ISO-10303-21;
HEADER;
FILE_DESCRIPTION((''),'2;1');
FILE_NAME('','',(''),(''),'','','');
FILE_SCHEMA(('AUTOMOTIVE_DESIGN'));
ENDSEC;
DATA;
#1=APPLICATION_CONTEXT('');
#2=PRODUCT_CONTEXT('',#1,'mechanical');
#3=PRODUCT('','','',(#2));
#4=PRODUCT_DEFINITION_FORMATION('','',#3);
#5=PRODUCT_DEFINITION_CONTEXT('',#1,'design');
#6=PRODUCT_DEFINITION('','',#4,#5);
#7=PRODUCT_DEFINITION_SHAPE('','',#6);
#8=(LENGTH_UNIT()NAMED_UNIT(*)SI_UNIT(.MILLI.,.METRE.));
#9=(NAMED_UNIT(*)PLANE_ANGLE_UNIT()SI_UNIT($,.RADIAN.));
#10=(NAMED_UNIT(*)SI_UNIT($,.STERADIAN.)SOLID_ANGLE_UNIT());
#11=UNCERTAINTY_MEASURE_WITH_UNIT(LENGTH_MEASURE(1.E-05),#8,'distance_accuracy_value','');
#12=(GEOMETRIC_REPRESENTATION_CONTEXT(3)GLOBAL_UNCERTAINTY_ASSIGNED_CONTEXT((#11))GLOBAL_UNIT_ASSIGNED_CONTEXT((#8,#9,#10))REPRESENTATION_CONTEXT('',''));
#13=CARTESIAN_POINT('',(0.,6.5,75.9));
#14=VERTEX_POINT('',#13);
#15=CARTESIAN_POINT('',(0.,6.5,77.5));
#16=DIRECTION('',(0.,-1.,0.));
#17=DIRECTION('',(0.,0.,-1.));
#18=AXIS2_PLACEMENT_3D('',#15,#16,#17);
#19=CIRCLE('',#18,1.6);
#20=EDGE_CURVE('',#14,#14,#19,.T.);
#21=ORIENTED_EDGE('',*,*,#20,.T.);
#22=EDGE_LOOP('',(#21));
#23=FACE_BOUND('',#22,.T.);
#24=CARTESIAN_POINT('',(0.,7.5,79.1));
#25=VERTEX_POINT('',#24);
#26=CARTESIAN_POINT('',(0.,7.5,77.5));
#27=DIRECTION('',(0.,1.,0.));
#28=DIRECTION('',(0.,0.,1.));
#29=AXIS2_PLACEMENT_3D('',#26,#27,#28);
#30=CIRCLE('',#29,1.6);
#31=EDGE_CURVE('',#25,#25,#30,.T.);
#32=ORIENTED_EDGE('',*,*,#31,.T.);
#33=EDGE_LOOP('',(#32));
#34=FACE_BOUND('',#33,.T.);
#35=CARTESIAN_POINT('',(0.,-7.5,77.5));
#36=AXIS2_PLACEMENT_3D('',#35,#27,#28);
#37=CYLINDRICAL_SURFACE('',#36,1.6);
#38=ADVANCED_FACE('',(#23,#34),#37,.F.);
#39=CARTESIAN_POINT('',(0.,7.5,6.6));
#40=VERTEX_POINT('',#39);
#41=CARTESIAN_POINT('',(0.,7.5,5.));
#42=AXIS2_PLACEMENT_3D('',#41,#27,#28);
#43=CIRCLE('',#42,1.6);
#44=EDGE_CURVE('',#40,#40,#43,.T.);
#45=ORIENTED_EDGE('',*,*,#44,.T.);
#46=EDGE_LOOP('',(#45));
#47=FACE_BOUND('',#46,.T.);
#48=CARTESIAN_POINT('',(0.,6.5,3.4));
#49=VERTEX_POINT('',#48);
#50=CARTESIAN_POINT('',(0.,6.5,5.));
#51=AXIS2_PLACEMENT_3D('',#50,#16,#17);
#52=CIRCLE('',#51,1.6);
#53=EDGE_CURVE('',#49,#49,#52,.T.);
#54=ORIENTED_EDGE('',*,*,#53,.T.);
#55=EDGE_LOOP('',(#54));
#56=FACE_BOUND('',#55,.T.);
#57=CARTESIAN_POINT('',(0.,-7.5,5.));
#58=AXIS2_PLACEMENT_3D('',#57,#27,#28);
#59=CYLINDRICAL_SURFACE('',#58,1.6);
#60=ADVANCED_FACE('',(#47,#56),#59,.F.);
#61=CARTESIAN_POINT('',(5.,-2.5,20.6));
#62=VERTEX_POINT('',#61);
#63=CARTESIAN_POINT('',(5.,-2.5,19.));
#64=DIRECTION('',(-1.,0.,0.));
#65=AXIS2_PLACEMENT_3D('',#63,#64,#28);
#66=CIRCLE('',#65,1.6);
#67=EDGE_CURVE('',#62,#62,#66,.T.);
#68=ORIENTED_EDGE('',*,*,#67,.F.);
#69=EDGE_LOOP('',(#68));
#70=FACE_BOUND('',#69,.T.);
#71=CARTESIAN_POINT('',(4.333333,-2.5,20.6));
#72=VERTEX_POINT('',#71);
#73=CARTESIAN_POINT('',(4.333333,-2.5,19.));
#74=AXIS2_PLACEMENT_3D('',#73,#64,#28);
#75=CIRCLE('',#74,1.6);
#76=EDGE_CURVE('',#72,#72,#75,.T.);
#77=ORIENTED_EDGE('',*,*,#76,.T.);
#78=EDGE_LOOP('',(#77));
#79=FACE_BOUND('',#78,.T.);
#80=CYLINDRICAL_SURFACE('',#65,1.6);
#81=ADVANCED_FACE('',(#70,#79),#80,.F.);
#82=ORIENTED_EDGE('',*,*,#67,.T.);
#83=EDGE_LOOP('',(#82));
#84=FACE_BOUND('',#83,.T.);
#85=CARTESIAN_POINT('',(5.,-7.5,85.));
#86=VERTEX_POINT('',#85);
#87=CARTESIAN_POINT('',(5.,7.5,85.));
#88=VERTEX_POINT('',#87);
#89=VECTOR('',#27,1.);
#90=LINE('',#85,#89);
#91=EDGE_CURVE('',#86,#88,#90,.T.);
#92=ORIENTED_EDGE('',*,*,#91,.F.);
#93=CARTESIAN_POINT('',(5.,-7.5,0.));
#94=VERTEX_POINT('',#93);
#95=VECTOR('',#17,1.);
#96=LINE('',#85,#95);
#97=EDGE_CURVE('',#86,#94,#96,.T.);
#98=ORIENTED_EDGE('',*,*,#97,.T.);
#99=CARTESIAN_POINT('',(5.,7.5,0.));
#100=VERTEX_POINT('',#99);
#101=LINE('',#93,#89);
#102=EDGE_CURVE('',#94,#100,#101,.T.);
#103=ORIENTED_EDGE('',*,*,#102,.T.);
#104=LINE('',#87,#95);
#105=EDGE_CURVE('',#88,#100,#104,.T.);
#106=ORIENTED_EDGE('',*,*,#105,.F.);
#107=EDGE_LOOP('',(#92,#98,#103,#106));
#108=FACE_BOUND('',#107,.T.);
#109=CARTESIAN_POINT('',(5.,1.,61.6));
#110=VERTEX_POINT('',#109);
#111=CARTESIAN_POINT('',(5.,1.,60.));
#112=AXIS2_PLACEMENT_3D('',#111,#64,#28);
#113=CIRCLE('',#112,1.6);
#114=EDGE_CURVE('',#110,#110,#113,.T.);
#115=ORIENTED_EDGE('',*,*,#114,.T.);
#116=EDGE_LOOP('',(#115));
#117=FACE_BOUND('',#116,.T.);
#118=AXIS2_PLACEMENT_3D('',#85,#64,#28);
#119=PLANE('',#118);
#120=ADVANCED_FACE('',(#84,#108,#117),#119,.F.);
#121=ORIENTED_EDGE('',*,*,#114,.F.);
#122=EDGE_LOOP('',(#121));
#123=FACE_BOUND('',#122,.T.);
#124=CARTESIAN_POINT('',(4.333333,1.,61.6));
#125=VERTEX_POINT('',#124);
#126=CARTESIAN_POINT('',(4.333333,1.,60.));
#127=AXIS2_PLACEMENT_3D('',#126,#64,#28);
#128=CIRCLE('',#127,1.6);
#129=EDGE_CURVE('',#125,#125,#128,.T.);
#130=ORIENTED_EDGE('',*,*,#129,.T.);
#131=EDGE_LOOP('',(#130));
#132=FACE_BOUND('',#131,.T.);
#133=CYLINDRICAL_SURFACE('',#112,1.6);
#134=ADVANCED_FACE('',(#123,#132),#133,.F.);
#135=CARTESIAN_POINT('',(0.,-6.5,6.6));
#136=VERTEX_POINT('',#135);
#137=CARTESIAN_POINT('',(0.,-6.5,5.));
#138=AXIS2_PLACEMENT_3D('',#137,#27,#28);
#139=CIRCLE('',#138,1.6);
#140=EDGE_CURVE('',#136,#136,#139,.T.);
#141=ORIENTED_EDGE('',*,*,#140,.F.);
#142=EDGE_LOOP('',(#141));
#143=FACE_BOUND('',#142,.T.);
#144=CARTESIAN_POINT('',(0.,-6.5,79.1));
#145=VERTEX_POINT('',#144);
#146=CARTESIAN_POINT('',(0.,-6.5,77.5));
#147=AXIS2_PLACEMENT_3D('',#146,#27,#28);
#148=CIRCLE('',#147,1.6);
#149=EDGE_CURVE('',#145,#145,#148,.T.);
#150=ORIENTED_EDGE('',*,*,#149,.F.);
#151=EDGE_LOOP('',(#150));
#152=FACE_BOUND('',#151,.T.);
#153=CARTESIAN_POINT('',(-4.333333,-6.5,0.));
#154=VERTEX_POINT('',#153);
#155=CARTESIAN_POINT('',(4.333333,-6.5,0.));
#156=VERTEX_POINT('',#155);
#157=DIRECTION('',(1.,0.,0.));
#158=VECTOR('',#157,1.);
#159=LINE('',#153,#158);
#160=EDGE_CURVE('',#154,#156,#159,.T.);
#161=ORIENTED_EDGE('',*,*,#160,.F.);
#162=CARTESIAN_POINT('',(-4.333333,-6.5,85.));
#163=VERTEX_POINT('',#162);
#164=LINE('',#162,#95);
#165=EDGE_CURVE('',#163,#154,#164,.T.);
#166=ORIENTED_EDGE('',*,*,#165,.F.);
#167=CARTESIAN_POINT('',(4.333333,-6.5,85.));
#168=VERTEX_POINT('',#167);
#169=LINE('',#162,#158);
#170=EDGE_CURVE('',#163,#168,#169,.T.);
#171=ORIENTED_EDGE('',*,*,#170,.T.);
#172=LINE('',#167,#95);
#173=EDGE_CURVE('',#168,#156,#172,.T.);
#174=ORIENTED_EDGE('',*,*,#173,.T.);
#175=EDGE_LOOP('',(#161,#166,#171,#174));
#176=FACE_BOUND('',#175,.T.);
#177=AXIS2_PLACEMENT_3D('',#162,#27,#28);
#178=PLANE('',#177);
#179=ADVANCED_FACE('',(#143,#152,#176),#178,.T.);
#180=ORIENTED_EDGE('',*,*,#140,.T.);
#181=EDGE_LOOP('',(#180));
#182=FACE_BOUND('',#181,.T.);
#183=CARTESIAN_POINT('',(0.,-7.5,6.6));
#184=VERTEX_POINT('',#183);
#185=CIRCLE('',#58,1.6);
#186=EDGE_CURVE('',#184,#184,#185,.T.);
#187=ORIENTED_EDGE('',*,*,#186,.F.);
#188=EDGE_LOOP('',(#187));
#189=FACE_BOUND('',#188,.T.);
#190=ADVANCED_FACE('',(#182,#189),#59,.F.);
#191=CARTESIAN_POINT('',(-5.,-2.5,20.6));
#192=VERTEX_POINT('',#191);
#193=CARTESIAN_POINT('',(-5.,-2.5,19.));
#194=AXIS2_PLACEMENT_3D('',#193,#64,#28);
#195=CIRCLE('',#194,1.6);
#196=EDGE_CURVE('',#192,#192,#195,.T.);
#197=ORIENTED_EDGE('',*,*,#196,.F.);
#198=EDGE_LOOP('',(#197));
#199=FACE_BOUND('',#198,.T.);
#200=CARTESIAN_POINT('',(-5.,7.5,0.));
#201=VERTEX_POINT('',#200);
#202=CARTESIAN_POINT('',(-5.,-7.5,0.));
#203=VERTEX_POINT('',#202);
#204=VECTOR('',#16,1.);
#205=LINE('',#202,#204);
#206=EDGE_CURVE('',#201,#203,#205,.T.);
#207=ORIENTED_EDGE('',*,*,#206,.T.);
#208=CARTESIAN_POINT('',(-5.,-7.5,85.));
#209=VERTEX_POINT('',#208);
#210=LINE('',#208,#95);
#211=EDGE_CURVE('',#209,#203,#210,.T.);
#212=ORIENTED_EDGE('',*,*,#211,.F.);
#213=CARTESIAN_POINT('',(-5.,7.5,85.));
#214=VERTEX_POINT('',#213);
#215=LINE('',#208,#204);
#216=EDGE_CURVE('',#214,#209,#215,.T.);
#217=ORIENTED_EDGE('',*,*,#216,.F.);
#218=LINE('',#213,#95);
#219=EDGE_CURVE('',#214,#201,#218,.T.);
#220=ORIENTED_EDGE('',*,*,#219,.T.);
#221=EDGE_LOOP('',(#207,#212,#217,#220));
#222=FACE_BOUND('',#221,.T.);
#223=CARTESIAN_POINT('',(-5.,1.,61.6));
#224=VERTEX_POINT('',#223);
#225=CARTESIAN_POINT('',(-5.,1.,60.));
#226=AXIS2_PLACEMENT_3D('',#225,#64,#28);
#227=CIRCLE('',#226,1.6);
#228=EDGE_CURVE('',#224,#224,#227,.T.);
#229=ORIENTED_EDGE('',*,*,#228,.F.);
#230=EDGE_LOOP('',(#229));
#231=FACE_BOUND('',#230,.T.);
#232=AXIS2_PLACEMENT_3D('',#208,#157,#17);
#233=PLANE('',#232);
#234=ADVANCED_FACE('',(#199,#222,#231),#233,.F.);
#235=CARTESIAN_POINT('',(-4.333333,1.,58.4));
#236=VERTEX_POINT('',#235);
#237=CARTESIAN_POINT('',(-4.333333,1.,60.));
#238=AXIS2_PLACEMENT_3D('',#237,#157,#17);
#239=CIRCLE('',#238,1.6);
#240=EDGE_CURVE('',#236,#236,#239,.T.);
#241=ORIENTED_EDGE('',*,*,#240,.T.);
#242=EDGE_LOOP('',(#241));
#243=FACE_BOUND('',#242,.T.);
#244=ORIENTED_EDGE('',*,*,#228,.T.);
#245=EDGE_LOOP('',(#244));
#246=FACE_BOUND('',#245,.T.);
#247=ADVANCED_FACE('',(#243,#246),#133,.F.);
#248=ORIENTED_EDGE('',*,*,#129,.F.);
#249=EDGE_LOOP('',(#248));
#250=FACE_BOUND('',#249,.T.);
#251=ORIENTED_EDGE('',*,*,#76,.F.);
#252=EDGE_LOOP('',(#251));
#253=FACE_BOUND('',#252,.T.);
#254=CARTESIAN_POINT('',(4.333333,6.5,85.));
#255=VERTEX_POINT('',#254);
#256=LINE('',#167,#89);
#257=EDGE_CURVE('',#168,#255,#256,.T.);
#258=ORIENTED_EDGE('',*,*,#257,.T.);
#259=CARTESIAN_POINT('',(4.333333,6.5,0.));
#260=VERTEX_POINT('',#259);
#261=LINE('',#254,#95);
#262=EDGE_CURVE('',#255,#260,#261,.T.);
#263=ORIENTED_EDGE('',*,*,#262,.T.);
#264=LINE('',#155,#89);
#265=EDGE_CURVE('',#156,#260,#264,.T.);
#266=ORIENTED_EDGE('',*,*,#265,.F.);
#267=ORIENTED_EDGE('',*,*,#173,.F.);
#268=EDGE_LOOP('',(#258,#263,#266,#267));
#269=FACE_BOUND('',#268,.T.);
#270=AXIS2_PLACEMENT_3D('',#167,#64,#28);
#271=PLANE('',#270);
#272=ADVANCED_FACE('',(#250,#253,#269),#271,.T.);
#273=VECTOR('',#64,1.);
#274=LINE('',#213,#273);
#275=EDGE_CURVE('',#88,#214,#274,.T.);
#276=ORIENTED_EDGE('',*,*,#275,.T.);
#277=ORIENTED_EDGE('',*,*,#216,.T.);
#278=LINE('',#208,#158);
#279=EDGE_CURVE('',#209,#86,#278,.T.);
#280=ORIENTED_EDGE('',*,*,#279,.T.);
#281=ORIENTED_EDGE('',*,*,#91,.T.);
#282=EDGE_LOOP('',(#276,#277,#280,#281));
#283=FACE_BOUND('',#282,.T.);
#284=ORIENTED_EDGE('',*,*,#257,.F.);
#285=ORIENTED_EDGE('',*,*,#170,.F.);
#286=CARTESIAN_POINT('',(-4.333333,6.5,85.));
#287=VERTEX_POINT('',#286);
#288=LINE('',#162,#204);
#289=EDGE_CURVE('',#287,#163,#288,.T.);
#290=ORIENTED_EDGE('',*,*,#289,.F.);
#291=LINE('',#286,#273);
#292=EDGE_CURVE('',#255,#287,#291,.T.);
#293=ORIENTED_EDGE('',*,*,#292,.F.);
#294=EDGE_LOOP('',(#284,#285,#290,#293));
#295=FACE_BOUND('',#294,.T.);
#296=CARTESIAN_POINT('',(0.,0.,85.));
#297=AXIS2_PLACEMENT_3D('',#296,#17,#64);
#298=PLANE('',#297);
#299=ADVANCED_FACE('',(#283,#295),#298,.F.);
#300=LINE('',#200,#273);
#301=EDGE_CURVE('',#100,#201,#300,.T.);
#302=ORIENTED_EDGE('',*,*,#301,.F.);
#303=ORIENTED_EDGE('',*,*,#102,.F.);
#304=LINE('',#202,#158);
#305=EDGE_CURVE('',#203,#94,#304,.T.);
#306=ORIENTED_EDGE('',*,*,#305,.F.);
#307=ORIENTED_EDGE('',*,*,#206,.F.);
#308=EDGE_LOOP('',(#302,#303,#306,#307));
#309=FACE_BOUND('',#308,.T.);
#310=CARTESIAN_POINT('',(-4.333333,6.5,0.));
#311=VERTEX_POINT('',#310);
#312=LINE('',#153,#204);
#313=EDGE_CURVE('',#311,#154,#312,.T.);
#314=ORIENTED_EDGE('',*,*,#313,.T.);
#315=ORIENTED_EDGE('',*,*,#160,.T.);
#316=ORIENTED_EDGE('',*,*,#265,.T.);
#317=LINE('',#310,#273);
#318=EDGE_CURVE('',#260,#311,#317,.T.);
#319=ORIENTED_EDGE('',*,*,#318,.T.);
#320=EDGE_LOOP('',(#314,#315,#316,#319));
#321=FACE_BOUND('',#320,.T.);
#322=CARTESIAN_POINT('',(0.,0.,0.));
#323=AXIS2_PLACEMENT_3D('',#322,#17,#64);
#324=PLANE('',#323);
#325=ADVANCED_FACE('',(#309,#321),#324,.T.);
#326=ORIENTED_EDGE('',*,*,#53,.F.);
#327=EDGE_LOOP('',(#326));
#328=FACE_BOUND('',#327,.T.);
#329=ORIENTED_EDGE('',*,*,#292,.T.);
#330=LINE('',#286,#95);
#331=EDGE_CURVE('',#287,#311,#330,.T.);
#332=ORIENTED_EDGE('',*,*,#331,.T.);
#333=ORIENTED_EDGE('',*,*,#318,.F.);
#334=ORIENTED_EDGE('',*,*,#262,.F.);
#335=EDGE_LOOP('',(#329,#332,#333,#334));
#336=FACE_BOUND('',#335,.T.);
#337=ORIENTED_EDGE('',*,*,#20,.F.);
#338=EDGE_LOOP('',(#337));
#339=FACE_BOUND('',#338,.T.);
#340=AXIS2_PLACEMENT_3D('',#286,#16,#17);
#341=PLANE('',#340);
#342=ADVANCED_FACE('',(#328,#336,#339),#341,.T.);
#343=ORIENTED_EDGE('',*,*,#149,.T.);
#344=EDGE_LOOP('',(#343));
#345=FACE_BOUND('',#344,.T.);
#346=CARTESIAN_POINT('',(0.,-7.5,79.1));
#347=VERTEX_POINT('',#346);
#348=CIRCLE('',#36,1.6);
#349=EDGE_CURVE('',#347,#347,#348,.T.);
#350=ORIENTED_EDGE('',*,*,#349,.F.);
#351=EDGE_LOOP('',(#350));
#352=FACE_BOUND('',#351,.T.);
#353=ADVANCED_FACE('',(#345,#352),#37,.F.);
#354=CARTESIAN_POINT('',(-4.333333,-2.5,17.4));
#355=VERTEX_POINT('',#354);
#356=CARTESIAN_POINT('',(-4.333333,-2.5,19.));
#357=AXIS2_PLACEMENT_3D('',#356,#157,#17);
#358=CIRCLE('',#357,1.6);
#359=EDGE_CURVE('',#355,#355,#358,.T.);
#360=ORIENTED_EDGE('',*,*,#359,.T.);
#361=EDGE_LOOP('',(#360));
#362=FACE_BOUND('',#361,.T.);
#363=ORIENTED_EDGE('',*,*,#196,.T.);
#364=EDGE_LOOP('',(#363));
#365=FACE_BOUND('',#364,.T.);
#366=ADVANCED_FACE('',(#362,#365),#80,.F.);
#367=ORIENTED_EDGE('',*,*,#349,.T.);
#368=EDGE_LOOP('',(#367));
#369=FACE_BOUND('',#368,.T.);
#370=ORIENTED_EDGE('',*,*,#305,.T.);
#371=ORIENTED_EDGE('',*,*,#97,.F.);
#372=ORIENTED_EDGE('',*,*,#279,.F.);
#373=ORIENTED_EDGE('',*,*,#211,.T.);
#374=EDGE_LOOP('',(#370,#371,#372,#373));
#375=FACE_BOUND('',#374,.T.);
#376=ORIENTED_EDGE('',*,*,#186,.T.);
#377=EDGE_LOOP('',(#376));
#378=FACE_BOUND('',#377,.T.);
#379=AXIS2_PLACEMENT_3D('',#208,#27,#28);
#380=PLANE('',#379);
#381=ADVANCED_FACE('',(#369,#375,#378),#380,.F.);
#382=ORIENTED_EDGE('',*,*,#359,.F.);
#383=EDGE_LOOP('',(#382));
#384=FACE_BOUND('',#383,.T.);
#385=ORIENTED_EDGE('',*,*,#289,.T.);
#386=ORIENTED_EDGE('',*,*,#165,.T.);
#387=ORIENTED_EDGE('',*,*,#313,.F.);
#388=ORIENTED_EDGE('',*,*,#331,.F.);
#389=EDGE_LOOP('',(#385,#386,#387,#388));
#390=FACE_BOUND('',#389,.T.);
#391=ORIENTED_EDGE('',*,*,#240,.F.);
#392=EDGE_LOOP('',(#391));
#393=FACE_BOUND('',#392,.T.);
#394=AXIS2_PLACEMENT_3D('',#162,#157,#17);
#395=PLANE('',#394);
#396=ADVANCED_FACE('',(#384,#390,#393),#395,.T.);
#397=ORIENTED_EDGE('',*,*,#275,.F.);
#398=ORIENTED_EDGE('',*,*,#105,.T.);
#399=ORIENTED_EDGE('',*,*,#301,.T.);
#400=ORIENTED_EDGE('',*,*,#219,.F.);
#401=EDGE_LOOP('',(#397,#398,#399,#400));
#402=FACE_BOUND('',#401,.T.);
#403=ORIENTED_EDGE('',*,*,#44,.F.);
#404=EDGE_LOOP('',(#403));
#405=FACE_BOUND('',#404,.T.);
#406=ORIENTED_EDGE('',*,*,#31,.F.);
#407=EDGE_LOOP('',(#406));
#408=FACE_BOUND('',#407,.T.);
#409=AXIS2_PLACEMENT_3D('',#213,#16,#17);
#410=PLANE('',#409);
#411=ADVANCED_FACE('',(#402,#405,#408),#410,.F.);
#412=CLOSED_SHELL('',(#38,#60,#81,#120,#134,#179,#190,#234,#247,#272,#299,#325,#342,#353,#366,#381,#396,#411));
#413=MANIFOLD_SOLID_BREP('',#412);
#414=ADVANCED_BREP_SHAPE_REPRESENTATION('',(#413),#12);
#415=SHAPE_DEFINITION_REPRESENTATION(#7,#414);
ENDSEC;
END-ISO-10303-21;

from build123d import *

# Parameters (mm, degrees)
SKETCH_1_W          = 10
SKETCH_1_H          = 15
SKETCH_1_W_2        = 8.666666666
SKETCH_1_H_2        = 13
EXTRUDE_1_DEPTH     = 85
SKETCH_3_R          = 1.6
CUT_EXTRUDE_2_DEPTH = 87.458082329
SKETCH_4_R          = 1.6
CUT_EXTRUDE_3_DEPTH = 86.914201387


with BuildPart() as part:
    # ｽｹｯﾁ1 → ﾎﾞｽ - 押し出し1 (new body)
    with BuildSketch(Plane.XY):
        Rectangle(SKETCH_1_W, SKETCH_1_H)
        Rectangle(SKETCH_1_W_2, SKETCH_1_H_2, mode=Mode.SUBTRACT)
    extrude(amount=EXTRUDE_1_DEPTH)

    # ｽｹｯﾁ3 → ｶｯﾄ - 押し出し2 (cut, through all)
    with BuildSketch(Plane(origin=(0, 7.5, 0), x_dir=(1, 0, 0), z_dir=(0, 1, 0))):
        with Locations(Location((0, -77.5, 0), (0, 0, 270))):
            Circle(SKETCH_3_R)
        with Locations(Location((0, -5, 0), (0, 0, 270))):
            Circle(SKETCH_3_R)
    extrude(amount=-CUT_EXTRUDE_2_DEPTH, mode=Mode.SUBTRACT)

    # ｽｹｯﾁ4 → ｶｯﾄ - 押し出し3 (cut, through all)
    with BuildSketch(Plane.ZY.offset(5)):
        with Locations((60, 1)):
            Circle(SKETCH_4_R)
        with Locations((19, -2.5)):
            Circle(SKETCH_4_R)
    extrude(amount=-CUT_EXTRUDE_3_DEPTH, mode=Mode.SUBTRACT)


solid = part.part
